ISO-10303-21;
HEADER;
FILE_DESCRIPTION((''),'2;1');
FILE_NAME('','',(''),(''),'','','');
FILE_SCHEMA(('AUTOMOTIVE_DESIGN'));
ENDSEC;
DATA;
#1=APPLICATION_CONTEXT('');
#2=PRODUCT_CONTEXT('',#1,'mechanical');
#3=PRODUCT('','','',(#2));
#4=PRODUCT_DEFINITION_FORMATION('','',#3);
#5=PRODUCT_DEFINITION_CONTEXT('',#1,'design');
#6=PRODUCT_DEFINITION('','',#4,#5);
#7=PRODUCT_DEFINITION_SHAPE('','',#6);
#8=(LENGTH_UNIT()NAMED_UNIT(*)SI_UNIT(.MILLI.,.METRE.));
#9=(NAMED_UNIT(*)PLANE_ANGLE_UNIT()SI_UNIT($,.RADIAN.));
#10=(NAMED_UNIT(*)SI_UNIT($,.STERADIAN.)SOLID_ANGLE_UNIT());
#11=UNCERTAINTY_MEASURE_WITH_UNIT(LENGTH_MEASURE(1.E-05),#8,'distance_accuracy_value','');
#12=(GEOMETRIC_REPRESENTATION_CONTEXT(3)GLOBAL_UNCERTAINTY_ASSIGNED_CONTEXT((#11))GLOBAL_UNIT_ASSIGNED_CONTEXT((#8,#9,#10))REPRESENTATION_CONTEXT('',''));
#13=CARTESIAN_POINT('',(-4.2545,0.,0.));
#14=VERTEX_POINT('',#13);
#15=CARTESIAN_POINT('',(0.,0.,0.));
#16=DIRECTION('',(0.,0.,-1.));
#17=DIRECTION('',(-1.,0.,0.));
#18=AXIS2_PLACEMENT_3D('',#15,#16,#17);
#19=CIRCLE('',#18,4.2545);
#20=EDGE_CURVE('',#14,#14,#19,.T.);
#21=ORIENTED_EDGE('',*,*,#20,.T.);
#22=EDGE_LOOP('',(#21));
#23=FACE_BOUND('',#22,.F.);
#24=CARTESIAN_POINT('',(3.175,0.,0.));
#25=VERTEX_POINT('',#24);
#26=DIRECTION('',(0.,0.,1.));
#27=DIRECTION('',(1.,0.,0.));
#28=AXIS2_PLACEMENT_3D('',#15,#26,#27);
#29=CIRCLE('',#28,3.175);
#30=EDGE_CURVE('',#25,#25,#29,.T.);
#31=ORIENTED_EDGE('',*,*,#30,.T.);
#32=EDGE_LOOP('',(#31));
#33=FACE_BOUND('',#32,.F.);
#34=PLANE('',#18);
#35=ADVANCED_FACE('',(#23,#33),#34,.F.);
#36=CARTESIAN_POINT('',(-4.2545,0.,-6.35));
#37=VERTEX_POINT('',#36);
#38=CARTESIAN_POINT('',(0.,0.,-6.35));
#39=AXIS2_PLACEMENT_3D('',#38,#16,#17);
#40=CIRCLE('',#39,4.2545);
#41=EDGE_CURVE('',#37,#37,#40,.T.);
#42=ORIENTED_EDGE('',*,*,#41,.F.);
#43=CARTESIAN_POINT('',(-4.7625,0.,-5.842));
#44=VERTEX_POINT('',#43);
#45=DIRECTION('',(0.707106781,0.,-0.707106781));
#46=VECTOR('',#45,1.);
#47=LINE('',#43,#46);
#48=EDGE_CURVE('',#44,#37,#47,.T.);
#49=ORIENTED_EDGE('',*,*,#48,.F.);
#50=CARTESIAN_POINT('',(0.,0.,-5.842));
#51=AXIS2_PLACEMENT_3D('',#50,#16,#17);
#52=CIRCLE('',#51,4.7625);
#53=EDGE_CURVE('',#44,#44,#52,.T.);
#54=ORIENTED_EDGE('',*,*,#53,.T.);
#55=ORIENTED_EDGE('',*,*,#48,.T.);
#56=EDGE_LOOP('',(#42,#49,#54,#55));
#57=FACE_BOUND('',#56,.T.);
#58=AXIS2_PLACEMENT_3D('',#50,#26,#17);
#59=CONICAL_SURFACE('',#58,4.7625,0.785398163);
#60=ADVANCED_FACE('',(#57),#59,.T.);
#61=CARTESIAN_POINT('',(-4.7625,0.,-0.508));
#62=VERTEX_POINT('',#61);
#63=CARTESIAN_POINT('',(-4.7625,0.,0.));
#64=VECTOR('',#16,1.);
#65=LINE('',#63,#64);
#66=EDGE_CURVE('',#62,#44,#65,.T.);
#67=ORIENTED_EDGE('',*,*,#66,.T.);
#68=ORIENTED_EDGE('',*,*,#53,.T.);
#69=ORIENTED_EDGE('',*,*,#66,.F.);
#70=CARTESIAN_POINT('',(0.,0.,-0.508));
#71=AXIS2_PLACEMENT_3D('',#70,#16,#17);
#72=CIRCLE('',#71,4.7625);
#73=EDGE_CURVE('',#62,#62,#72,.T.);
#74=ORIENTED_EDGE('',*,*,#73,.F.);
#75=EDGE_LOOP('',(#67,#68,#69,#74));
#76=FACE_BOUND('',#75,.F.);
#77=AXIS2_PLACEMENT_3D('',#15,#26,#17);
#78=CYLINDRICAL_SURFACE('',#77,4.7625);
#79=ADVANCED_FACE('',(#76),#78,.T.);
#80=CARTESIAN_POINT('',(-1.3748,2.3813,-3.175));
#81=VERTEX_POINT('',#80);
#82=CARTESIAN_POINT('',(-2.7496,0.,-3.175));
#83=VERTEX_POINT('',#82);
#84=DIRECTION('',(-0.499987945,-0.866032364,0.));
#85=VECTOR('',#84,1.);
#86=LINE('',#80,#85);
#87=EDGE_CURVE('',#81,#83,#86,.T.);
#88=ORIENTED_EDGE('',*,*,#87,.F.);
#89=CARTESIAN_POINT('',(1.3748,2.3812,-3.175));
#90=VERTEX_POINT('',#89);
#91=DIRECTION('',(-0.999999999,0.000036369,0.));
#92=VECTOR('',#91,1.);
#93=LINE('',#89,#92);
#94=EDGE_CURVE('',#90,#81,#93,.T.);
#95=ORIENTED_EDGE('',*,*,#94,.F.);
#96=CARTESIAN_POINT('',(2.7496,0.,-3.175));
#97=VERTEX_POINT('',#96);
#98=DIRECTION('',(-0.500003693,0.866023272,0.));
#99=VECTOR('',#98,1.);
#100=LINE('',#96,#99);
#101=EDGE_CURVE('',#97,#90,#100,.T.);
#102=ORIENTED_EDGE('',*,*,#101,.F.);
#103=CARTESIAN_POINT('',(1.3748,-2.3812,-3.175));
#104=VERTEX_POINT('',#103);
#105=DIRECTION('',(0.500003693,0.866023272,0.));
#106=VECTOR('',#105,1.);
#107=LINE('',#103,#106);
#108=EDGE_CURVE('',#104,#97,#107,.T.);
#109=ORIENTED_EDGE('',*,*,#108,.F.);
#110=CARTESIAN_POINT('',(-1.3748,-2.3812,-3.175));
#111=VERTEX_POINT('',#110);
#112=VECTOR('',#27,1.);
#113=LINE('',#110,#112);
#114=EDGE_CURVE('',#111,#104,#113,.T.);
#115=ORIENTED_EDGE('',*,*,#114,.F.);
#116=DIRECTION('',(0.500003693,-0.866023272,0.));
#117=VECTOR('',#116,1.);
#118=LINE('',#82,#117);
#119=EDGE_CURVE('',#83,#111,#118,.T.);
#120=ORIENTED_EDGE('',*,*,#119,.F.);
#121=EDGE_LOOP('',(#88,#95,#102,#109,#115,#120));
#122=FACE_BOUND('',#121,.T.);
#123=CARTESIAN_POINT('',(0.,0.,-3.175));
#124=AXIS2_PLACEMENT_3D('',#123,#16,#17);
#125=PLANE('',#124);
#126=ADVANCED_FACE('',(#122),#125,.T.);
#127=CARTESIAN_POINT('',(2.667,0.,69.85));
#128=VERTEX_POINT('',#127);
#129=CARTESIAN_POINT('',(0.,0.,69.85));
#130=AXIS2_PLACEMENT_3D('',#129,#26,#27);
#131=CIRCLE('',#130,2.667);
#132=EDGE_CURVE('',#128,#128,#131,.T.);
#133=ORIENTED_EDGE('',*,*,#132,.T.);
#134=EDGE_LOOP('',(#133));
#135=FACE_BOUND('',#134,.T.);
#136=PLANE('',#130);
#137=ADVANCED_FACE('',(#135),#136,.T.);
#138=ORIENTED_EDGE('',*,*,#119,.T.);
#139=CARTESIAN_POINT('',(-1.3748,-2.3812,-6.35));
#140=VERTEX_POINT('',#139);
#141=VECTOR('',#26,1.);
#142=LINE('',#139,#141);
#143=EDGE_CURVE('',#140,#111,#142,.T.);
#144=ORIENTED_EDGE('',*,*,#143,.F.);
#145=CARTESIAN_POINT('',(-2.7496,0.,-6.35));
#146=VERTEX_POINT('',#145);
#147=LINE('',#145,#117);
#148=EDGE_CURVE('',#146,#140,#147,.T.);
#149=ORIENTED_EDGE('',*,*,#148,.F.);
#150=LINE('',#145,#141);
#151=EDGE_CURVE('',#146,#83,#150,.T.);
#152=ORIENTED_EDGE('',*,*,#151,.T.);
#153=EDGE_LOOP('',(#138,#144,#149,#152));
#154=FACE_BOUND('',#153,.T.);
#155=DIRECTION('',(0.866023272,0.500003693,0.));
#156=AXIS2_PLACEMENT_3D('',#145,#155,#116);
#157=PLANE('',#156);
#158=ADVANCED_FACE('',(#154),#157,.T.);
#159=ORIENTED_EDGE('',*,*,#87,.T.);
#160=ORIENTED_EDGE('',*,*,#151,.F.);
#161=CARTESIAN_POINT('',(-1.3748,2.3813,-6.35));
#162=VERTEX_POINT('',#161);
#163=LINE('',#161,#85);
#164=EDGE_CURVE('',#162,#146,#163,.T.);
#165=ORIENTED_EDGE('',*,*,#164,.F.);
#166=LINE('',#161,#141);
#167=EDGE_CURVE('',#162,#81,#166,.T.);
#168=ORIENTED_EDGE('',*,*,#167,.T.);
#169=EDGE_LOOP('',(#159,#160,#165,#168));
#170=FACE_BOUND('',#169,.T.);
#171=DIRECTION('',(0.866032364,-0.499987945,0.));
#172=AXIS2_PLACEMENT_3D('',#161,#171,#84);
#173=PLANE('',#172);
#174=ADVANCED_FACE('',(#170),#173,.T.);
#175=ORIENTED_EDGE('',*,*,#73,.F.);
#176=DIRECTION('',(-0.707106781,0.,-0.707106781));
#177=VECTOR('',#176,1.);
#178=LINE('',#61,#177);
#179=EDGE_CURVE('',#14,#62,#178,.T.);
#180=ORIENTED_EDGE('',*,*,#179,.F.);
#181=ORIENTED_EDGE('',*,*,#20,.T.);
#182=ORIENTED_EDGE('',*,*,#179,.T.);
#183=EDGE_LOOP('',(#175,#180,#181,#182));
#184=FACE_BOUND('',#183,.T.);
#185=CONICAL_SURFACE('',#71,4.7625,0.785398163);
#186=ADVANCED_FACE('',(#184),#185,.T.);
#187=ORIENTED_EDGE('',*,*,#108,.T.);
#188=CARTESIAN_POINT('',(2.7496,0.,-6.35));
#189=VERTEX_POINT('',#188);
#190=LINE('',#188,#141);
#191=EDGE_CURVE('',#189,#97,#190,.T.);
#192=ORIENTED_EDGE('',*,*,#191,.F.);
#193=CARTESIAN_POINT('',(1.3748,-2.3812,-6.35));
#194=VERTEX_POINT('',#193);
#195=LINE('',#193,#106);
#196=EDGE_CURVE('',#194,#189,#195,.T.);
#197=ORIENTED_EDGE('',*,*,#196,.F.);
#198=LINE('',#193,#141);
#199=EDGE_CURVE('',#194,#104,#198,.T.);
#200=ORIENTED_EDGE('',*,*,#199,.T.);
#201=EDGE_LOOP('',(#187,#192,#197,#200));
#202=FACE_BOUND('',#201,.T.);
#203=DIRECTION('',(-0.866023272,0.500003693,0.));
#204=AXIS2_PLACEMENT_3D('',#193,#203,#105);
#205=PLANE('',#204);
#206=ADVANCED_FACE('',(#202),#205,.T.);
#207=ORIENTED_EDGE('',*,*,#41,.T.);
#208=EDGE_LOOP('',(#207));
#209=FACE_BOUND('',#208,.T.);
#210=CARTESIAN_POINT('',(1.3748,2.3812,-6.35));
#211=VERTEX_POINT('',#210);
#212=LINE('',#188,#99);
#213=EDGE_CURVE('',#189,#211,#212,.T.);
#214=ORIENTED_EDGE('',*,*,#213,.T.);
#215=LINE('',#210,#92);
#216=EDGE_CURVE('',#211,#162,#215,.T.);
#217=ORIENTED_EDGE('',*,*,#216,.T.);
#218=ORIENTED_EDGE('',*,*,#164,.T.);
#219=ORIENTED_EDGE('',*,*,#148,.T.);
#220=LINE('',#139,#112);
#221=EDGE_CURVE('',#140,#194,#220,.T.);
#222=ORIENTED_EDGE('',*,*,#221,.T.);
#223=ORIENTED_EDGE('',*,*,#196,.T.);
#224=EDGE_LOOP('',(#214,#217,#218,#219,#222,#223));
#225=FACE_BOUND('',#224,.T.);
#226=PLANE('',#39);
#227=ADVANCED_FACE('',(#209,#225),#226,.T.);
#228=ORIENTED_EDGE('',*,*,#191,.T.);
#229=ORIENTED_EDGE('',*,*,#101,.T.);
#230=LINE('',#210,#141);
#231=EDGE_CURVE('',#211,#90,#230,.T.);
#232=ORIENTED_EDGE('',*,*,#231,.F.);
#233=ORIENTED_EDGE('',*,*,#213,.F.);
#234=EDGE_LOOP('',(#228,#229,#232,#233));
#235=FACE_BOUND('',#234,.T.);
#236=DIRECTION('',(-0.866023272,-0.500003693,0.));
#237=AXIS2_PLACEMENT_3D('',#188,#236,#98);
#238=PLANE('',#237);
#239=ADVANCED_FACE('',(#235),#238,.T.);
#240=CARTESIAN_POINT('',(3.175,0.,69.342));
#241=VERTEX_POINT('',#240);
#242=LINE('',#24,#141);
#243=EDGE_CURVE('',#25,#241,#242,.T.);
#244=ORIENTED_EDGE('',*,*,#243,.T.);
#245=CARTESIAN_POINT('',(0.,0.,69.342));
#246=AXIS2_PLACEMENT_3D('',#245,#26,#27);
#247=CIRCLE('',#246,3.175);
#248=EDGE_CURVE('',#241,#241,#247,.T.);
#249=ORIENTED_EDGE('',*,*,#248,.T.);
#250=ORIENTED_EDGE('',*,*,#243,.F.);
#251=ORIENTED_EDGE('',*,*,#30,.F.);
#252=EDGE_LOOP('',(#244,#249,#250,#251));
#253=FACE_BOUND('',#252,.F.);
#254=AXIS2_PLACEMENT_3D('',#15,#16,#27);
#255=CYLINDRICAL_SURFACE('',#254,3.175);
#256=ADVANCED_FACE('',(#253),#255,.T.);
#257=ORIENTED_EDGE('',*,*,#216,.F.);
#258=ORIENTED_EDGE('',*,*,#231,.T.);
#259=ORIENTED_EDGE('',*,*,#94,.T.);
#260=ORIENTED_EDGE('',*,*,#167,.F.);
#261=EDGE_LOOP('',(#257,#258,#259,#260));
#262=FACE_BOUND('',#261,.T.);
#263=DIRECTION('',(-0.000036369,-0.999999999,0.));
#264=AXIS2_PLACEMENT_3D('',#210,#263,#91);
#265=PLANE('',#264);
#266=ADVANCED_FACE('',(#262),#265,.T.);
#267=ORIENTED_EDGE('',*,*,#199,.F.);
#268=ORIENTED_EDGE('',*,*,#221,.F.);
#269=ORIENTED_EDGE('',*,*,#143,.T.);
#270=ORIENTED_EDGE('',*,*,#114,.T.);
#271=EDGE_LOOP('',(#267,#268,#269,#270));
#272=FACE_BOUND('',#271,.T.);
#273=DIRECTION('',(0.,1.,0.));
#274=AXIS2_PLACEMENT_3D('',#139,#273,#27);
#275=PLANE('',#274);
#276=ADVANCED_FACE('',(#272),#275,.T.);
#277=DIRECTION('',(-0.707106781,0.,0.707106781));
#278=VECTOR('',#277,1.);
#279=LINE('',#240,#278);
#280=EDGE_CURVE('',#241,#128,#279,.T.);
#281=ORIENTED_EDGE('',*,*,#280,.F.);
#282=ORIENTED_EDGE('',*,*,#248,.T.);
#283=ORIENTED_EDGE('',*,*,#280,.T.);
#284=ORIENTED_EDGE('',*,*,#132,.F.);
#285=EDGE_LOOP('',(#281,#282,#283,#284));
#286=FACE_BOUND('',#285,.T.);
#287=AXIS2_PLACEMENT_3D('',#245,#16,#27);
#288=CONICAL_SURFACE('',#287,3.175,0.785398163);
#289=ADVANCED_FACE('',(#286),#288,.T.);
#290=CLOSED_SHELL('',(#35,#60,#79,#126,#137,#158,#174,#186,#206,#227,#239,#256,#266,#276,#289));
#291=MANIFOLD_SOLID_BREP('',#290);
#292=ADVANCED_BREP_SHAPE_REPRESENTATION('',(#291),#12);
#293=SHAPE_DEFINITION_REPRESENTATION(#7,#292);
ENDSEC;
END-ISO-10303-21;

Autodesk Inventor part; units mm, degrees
ref_plane "YZ Plane" through (0, 0, 0) normal (1, 0, 0) x (0, 1, 0)
ref_plane "XZ Plane" through (0, 0, 0) normal (0, 1, 0) x (-1, 0, 0)
ref_plane "XY Plane" through (0, 0, 0) normal (0, 0, 1) x (1, 0, 0)
sketch "Sketch1" plane through (0, 0, 0) normal (0, 0, 1) x (1, 0, 0)
  circle A0 centre (0, 0) radius 3.175
  dimension "d0" = 6.35
extrude "Extrusion1" add sketch "Sketch1" along normal blind 69.85
sketch "Sketch2" plane through (0, 0, 0) normal (0, 0, -1) x (-1, 0, 0)
  circle A0 centre (0, 0) radius 3.175 projected
  circle A1 centre (0, 0) radius 4.7625
  dimension "d3" = 9.525
extrude "Extrusion2" add sketch "Sketch2" along normal blind 6.35 contours A0 | A1
sketch "Sketch3" plane through (0, 0, -6.35) normal (0, 0, -1) x (-1, 0, 0)
  circle A0 centre (0, 0) radius 4.7625 projected
  line L0 (-1.3748, 2.3812) -> (1.3748, 2.3813)
  line L1 (1.3748, 2.3813) -> (2.7496, 0)
  line L2 (2.7496, 0) -> (1.3748, -2.3812)
  line L3 (1.3748, -2.3812) -> (-1.3748, -2.3812)
  line L4 (-1.3748, -2.3812) -> (-2.7496, 0)
  line L5 (-2.7496, 0) -> (-1.3748, 2.3812)
  dimension "d6" = 4.7625
extrude "Extrusion3" cut sketch "Sketch3" against normal blind 3.175 contours L0 L1 L2 L3 L4 L5
chamfer "Chamfer1" distance 0.508 angle 45 3 edges at (-3.175, 0, 69.85) (4.7625, 0, 0) (4.7625, 0, -6.35)
thread "Thread1" size "1/4-20 UNC" class "2A" standard "ANSI Unified Screw Threads" length 25.4
properties part number "14-20 x750" material "Steel"
